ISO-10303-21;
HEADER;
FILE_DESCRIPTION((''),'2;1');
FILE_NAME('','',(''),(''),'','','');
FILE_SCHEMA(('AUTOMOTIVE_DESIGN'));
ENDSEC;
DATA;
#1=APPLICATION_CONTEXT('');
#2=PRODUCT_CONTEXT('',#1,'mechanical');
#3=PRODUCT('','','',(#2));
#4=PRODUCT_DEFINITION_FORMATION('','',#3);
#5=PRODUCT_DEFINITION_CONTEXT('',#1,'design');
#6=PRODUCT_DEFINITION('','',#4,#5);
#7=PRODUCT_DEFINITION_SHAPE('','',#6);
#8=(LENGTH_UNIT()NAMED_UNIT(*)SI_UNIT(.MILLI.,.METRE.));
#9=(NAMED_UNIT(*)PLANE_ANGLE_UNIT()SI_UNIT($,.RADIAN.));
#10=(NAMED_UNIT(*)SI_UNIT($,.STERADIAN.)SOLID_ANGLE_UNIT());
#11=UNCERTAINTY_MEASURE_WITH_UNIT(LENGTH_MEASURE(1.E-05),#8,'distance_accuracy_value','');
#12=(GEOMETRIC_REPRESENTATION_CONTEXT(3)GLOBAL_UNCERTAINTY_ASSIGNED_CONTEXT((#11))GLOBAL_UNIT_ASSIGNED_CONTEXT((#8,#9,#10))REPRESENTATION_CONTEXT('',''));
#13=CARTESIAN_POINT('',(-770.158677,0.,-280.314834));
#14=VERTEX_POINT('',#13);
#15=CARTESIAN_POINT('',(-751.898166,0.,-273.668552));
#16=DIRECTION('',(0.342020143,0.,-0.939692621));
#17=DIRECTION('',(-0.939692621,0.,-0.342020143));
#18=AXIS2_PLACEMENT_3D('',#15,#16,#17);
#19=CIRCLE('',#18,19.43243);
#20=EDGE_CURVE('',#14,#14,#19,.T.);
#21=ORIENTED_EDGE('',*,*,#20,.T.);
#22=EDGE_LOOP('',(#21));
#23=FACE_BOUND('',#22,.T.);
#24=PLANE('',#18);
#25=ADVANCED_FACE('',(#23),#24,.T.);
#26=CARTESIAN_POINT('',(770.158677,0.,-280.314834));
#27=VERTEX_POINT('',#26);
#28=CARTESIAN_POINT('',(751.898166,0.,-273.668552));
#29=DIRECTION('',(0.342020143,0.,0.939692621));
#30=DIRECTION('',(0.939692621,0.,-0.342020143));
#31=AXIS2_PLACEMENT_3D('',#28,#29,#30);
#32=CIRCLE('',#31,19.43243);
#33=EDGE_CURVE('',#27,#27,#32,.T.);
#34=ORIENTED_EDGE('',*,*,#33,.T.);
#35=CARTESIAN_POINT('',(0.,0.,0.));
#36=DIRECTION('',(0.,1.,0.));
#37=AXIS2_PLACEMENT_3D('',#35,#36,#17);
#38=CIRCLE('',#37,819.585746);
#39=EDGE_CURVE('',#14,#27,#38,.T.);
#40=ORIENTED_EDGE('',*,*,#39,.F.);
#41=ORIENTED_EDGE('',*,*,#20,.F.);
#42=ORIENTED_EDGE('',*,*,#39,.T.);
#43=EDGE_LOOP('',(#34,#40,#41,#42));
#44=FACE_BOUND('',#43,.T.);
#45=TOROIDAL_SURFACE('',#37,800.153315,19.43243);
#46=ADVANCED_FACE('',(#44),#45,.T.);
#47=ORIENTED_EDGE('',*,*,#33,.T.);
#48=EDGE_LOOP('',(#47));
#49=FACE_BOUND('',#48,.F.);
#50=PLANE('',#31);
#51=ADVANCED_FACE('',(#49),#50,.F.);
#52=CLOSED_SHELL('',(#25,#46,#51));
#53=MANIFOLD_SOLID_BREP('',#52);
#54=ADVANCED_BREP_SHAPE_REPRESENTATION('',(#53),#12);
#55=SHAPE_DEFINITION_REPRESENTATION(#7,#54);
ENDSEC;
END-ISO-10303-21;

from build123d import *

# Parameters (mm, degrees)
F1_ANGLE_BACK = 200
F1_ANGLE      = 220


with BuildPart() as f1:
    # F0 (on Top) → F1 (revolve)
    with BuildSketch(Plane.XY, mode=Mode.PRIVATE) as f1_sk:
        with BuildLine():
            ThreePointArc((780.7208846222, 0), (800.1533150673, -19.4324304451), (819.5857455124, 0))
            ThreePointArc((819.5857455124, 0), (800.1533150673, 19.4324304451), (780.7208846222, 0))
        make_face()
    revolve(f1_sk.sketch.rotate(Axis((0, -4.0102191269, 0), (0, 1, 0)), -F1_ANGLE_BACK), axis=Axis((0, -4.0102191269, 0), (0, 1, 0)), revolution_arc=F1_ANGLE)


solid = f1.part
